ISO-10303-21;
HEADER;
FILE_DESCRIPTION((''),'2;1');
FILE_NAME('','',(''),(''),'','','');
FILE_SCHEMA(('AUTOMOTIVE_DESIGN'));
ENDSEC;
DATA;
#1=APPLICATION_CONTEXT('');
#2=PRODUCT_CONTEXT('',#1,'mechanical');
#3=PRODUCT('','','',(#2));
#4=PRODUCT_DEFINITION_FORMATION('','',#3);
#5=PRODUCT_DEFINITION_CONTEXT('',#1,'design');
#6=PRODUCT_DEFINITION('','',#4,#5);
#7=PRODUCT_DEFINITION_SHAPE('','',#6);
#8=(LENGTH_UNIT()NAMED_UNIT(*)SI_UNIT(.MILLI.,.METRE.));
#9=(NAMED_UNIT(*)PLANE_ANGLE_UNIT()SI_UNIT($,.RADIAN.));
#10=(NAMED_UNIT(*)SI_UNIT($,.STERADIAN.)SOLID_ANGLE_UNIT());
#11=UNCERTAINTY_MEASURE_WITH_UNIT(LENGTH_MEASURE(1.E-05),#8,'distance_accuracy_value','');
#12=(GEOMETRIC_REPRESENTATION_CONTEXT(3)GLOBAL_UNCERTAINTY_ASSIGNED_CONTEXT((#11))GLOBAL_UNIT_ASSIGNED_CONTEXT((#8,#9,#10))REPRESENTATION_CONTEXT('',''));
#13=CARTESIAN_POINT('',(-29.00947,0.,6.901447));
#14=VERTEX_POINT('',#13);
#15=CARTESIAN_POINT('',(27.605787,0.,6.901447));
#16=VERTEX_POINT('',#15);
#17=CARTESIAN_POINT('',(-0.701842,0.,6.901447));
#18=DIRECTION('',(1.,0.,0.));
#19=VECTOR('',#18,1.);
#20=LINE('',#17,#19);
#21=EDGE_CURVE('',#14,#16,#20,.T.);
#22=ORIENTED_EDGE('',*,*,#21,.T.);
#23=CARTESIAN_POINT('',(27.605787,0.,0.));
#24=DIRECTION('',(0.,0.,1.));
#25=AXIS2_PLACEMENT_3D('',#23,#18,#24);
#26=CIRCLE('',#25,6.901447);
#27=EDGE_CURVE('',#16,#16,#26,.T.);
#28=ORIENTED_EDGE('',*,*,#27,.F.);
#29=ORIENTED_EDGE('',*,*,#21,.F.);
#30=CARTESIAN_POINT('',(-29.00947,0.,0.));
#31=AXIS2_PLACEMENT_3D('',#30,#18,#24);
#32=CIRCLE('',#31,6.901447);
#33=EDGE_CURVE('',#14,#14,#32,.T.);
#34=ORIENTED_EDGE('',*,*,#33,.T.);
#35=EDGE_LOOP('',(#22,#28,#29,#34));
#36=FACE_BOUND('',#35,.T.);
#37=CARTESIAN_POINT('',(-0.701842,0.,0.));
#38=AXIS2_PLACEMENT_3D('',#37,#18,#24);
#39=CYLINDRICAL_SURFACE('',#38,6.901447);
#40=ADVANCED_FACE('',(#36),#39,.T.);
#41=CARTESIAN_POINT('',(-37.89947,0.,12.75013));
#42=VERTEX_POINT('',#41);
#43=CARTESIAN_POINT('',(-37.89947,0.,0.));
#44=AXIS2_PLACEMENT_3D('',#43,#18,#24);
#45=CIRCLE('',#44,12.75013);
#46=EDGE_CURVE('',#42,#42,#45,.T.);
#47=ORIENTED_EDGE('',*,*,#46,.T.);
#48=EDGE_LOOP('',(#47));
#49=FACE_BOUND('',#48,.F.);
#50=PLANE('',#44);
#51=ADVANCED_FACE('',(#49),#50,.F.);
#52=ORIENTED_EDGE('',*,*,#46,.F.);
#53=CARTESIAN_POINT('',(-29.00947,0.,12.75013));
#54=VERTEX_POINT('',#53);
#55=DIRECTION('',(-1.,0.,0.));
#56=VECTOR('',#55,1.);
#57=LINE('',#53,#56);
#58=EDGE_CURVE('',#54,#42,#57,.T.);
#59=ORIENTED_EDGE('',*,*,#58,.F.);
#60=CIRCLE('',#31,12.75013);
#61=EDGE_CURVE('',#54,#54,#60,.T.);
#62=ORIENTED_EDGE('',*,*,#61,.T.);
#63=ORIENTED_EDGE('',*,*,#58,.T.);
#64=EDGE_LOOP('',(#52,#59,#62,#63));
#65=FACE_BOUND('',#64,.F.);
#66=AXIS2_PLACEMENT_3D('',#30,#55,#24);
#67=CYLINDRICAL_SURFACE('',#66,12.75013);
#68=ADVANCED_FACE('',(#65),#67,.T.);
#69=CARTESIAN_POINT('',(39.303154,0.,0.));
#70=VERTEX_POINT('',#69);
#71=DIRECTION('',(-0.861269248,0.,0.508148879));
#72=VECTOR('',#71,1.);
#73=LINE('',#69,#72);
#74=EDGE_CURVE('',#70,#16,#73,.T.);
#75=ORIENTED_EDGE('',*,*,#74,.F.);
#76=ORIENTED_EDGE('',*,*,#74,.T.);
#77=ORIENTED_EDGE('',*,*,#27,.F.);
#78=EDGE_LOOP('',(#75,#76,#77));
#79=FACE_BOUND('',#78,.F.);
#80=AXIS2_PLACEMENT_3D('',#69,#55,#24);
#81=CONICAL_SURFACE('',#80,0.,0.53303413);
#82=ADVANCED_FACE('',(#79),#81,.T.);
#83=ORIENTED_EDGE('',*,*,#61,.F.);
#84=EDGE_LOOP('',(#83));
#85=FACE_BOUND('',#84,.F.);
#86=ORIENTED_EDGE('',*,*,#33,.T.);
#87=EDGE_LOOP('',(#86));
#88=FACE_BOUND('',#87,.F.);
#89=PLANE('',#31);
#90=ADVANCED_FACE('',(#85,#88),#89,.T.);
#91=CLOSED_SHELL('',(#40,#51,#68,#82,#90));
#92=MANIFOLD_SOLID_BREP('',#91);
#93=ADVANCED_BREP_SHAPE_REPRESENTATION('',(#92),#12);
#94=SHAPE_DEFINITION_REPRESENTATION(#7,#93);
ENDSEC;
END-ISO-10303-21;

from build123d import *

# Parameters (mm, degrees)
F0_W = 56.6152572079
F0_H = 6.9014467252


with BuildPart() as f1:
    # F0 (on Front) → F1 (revolve)
    with BuildSketch(Plane.XZ):
        Polygon((27.6057869007, 6.9014467252), (27.6057869007, 0), (39.3031537137, 0), align=None)
        Polygon((-37.8994703072, 0), (-29.0094703072, 0), (-29.0094703072, 6.9014467252), (-29.0094703072, 12.7501301317), (-37.8994703072, 12.7501301317), align=None)
        with Locations((-0.7018417032, 3.4507233626)):
            Rectangle(F0_W, F0_H)
    revolve(axis=Axis((-0.7018417032, 0, 0), (1, 0, 0)))


solid = f1.part
